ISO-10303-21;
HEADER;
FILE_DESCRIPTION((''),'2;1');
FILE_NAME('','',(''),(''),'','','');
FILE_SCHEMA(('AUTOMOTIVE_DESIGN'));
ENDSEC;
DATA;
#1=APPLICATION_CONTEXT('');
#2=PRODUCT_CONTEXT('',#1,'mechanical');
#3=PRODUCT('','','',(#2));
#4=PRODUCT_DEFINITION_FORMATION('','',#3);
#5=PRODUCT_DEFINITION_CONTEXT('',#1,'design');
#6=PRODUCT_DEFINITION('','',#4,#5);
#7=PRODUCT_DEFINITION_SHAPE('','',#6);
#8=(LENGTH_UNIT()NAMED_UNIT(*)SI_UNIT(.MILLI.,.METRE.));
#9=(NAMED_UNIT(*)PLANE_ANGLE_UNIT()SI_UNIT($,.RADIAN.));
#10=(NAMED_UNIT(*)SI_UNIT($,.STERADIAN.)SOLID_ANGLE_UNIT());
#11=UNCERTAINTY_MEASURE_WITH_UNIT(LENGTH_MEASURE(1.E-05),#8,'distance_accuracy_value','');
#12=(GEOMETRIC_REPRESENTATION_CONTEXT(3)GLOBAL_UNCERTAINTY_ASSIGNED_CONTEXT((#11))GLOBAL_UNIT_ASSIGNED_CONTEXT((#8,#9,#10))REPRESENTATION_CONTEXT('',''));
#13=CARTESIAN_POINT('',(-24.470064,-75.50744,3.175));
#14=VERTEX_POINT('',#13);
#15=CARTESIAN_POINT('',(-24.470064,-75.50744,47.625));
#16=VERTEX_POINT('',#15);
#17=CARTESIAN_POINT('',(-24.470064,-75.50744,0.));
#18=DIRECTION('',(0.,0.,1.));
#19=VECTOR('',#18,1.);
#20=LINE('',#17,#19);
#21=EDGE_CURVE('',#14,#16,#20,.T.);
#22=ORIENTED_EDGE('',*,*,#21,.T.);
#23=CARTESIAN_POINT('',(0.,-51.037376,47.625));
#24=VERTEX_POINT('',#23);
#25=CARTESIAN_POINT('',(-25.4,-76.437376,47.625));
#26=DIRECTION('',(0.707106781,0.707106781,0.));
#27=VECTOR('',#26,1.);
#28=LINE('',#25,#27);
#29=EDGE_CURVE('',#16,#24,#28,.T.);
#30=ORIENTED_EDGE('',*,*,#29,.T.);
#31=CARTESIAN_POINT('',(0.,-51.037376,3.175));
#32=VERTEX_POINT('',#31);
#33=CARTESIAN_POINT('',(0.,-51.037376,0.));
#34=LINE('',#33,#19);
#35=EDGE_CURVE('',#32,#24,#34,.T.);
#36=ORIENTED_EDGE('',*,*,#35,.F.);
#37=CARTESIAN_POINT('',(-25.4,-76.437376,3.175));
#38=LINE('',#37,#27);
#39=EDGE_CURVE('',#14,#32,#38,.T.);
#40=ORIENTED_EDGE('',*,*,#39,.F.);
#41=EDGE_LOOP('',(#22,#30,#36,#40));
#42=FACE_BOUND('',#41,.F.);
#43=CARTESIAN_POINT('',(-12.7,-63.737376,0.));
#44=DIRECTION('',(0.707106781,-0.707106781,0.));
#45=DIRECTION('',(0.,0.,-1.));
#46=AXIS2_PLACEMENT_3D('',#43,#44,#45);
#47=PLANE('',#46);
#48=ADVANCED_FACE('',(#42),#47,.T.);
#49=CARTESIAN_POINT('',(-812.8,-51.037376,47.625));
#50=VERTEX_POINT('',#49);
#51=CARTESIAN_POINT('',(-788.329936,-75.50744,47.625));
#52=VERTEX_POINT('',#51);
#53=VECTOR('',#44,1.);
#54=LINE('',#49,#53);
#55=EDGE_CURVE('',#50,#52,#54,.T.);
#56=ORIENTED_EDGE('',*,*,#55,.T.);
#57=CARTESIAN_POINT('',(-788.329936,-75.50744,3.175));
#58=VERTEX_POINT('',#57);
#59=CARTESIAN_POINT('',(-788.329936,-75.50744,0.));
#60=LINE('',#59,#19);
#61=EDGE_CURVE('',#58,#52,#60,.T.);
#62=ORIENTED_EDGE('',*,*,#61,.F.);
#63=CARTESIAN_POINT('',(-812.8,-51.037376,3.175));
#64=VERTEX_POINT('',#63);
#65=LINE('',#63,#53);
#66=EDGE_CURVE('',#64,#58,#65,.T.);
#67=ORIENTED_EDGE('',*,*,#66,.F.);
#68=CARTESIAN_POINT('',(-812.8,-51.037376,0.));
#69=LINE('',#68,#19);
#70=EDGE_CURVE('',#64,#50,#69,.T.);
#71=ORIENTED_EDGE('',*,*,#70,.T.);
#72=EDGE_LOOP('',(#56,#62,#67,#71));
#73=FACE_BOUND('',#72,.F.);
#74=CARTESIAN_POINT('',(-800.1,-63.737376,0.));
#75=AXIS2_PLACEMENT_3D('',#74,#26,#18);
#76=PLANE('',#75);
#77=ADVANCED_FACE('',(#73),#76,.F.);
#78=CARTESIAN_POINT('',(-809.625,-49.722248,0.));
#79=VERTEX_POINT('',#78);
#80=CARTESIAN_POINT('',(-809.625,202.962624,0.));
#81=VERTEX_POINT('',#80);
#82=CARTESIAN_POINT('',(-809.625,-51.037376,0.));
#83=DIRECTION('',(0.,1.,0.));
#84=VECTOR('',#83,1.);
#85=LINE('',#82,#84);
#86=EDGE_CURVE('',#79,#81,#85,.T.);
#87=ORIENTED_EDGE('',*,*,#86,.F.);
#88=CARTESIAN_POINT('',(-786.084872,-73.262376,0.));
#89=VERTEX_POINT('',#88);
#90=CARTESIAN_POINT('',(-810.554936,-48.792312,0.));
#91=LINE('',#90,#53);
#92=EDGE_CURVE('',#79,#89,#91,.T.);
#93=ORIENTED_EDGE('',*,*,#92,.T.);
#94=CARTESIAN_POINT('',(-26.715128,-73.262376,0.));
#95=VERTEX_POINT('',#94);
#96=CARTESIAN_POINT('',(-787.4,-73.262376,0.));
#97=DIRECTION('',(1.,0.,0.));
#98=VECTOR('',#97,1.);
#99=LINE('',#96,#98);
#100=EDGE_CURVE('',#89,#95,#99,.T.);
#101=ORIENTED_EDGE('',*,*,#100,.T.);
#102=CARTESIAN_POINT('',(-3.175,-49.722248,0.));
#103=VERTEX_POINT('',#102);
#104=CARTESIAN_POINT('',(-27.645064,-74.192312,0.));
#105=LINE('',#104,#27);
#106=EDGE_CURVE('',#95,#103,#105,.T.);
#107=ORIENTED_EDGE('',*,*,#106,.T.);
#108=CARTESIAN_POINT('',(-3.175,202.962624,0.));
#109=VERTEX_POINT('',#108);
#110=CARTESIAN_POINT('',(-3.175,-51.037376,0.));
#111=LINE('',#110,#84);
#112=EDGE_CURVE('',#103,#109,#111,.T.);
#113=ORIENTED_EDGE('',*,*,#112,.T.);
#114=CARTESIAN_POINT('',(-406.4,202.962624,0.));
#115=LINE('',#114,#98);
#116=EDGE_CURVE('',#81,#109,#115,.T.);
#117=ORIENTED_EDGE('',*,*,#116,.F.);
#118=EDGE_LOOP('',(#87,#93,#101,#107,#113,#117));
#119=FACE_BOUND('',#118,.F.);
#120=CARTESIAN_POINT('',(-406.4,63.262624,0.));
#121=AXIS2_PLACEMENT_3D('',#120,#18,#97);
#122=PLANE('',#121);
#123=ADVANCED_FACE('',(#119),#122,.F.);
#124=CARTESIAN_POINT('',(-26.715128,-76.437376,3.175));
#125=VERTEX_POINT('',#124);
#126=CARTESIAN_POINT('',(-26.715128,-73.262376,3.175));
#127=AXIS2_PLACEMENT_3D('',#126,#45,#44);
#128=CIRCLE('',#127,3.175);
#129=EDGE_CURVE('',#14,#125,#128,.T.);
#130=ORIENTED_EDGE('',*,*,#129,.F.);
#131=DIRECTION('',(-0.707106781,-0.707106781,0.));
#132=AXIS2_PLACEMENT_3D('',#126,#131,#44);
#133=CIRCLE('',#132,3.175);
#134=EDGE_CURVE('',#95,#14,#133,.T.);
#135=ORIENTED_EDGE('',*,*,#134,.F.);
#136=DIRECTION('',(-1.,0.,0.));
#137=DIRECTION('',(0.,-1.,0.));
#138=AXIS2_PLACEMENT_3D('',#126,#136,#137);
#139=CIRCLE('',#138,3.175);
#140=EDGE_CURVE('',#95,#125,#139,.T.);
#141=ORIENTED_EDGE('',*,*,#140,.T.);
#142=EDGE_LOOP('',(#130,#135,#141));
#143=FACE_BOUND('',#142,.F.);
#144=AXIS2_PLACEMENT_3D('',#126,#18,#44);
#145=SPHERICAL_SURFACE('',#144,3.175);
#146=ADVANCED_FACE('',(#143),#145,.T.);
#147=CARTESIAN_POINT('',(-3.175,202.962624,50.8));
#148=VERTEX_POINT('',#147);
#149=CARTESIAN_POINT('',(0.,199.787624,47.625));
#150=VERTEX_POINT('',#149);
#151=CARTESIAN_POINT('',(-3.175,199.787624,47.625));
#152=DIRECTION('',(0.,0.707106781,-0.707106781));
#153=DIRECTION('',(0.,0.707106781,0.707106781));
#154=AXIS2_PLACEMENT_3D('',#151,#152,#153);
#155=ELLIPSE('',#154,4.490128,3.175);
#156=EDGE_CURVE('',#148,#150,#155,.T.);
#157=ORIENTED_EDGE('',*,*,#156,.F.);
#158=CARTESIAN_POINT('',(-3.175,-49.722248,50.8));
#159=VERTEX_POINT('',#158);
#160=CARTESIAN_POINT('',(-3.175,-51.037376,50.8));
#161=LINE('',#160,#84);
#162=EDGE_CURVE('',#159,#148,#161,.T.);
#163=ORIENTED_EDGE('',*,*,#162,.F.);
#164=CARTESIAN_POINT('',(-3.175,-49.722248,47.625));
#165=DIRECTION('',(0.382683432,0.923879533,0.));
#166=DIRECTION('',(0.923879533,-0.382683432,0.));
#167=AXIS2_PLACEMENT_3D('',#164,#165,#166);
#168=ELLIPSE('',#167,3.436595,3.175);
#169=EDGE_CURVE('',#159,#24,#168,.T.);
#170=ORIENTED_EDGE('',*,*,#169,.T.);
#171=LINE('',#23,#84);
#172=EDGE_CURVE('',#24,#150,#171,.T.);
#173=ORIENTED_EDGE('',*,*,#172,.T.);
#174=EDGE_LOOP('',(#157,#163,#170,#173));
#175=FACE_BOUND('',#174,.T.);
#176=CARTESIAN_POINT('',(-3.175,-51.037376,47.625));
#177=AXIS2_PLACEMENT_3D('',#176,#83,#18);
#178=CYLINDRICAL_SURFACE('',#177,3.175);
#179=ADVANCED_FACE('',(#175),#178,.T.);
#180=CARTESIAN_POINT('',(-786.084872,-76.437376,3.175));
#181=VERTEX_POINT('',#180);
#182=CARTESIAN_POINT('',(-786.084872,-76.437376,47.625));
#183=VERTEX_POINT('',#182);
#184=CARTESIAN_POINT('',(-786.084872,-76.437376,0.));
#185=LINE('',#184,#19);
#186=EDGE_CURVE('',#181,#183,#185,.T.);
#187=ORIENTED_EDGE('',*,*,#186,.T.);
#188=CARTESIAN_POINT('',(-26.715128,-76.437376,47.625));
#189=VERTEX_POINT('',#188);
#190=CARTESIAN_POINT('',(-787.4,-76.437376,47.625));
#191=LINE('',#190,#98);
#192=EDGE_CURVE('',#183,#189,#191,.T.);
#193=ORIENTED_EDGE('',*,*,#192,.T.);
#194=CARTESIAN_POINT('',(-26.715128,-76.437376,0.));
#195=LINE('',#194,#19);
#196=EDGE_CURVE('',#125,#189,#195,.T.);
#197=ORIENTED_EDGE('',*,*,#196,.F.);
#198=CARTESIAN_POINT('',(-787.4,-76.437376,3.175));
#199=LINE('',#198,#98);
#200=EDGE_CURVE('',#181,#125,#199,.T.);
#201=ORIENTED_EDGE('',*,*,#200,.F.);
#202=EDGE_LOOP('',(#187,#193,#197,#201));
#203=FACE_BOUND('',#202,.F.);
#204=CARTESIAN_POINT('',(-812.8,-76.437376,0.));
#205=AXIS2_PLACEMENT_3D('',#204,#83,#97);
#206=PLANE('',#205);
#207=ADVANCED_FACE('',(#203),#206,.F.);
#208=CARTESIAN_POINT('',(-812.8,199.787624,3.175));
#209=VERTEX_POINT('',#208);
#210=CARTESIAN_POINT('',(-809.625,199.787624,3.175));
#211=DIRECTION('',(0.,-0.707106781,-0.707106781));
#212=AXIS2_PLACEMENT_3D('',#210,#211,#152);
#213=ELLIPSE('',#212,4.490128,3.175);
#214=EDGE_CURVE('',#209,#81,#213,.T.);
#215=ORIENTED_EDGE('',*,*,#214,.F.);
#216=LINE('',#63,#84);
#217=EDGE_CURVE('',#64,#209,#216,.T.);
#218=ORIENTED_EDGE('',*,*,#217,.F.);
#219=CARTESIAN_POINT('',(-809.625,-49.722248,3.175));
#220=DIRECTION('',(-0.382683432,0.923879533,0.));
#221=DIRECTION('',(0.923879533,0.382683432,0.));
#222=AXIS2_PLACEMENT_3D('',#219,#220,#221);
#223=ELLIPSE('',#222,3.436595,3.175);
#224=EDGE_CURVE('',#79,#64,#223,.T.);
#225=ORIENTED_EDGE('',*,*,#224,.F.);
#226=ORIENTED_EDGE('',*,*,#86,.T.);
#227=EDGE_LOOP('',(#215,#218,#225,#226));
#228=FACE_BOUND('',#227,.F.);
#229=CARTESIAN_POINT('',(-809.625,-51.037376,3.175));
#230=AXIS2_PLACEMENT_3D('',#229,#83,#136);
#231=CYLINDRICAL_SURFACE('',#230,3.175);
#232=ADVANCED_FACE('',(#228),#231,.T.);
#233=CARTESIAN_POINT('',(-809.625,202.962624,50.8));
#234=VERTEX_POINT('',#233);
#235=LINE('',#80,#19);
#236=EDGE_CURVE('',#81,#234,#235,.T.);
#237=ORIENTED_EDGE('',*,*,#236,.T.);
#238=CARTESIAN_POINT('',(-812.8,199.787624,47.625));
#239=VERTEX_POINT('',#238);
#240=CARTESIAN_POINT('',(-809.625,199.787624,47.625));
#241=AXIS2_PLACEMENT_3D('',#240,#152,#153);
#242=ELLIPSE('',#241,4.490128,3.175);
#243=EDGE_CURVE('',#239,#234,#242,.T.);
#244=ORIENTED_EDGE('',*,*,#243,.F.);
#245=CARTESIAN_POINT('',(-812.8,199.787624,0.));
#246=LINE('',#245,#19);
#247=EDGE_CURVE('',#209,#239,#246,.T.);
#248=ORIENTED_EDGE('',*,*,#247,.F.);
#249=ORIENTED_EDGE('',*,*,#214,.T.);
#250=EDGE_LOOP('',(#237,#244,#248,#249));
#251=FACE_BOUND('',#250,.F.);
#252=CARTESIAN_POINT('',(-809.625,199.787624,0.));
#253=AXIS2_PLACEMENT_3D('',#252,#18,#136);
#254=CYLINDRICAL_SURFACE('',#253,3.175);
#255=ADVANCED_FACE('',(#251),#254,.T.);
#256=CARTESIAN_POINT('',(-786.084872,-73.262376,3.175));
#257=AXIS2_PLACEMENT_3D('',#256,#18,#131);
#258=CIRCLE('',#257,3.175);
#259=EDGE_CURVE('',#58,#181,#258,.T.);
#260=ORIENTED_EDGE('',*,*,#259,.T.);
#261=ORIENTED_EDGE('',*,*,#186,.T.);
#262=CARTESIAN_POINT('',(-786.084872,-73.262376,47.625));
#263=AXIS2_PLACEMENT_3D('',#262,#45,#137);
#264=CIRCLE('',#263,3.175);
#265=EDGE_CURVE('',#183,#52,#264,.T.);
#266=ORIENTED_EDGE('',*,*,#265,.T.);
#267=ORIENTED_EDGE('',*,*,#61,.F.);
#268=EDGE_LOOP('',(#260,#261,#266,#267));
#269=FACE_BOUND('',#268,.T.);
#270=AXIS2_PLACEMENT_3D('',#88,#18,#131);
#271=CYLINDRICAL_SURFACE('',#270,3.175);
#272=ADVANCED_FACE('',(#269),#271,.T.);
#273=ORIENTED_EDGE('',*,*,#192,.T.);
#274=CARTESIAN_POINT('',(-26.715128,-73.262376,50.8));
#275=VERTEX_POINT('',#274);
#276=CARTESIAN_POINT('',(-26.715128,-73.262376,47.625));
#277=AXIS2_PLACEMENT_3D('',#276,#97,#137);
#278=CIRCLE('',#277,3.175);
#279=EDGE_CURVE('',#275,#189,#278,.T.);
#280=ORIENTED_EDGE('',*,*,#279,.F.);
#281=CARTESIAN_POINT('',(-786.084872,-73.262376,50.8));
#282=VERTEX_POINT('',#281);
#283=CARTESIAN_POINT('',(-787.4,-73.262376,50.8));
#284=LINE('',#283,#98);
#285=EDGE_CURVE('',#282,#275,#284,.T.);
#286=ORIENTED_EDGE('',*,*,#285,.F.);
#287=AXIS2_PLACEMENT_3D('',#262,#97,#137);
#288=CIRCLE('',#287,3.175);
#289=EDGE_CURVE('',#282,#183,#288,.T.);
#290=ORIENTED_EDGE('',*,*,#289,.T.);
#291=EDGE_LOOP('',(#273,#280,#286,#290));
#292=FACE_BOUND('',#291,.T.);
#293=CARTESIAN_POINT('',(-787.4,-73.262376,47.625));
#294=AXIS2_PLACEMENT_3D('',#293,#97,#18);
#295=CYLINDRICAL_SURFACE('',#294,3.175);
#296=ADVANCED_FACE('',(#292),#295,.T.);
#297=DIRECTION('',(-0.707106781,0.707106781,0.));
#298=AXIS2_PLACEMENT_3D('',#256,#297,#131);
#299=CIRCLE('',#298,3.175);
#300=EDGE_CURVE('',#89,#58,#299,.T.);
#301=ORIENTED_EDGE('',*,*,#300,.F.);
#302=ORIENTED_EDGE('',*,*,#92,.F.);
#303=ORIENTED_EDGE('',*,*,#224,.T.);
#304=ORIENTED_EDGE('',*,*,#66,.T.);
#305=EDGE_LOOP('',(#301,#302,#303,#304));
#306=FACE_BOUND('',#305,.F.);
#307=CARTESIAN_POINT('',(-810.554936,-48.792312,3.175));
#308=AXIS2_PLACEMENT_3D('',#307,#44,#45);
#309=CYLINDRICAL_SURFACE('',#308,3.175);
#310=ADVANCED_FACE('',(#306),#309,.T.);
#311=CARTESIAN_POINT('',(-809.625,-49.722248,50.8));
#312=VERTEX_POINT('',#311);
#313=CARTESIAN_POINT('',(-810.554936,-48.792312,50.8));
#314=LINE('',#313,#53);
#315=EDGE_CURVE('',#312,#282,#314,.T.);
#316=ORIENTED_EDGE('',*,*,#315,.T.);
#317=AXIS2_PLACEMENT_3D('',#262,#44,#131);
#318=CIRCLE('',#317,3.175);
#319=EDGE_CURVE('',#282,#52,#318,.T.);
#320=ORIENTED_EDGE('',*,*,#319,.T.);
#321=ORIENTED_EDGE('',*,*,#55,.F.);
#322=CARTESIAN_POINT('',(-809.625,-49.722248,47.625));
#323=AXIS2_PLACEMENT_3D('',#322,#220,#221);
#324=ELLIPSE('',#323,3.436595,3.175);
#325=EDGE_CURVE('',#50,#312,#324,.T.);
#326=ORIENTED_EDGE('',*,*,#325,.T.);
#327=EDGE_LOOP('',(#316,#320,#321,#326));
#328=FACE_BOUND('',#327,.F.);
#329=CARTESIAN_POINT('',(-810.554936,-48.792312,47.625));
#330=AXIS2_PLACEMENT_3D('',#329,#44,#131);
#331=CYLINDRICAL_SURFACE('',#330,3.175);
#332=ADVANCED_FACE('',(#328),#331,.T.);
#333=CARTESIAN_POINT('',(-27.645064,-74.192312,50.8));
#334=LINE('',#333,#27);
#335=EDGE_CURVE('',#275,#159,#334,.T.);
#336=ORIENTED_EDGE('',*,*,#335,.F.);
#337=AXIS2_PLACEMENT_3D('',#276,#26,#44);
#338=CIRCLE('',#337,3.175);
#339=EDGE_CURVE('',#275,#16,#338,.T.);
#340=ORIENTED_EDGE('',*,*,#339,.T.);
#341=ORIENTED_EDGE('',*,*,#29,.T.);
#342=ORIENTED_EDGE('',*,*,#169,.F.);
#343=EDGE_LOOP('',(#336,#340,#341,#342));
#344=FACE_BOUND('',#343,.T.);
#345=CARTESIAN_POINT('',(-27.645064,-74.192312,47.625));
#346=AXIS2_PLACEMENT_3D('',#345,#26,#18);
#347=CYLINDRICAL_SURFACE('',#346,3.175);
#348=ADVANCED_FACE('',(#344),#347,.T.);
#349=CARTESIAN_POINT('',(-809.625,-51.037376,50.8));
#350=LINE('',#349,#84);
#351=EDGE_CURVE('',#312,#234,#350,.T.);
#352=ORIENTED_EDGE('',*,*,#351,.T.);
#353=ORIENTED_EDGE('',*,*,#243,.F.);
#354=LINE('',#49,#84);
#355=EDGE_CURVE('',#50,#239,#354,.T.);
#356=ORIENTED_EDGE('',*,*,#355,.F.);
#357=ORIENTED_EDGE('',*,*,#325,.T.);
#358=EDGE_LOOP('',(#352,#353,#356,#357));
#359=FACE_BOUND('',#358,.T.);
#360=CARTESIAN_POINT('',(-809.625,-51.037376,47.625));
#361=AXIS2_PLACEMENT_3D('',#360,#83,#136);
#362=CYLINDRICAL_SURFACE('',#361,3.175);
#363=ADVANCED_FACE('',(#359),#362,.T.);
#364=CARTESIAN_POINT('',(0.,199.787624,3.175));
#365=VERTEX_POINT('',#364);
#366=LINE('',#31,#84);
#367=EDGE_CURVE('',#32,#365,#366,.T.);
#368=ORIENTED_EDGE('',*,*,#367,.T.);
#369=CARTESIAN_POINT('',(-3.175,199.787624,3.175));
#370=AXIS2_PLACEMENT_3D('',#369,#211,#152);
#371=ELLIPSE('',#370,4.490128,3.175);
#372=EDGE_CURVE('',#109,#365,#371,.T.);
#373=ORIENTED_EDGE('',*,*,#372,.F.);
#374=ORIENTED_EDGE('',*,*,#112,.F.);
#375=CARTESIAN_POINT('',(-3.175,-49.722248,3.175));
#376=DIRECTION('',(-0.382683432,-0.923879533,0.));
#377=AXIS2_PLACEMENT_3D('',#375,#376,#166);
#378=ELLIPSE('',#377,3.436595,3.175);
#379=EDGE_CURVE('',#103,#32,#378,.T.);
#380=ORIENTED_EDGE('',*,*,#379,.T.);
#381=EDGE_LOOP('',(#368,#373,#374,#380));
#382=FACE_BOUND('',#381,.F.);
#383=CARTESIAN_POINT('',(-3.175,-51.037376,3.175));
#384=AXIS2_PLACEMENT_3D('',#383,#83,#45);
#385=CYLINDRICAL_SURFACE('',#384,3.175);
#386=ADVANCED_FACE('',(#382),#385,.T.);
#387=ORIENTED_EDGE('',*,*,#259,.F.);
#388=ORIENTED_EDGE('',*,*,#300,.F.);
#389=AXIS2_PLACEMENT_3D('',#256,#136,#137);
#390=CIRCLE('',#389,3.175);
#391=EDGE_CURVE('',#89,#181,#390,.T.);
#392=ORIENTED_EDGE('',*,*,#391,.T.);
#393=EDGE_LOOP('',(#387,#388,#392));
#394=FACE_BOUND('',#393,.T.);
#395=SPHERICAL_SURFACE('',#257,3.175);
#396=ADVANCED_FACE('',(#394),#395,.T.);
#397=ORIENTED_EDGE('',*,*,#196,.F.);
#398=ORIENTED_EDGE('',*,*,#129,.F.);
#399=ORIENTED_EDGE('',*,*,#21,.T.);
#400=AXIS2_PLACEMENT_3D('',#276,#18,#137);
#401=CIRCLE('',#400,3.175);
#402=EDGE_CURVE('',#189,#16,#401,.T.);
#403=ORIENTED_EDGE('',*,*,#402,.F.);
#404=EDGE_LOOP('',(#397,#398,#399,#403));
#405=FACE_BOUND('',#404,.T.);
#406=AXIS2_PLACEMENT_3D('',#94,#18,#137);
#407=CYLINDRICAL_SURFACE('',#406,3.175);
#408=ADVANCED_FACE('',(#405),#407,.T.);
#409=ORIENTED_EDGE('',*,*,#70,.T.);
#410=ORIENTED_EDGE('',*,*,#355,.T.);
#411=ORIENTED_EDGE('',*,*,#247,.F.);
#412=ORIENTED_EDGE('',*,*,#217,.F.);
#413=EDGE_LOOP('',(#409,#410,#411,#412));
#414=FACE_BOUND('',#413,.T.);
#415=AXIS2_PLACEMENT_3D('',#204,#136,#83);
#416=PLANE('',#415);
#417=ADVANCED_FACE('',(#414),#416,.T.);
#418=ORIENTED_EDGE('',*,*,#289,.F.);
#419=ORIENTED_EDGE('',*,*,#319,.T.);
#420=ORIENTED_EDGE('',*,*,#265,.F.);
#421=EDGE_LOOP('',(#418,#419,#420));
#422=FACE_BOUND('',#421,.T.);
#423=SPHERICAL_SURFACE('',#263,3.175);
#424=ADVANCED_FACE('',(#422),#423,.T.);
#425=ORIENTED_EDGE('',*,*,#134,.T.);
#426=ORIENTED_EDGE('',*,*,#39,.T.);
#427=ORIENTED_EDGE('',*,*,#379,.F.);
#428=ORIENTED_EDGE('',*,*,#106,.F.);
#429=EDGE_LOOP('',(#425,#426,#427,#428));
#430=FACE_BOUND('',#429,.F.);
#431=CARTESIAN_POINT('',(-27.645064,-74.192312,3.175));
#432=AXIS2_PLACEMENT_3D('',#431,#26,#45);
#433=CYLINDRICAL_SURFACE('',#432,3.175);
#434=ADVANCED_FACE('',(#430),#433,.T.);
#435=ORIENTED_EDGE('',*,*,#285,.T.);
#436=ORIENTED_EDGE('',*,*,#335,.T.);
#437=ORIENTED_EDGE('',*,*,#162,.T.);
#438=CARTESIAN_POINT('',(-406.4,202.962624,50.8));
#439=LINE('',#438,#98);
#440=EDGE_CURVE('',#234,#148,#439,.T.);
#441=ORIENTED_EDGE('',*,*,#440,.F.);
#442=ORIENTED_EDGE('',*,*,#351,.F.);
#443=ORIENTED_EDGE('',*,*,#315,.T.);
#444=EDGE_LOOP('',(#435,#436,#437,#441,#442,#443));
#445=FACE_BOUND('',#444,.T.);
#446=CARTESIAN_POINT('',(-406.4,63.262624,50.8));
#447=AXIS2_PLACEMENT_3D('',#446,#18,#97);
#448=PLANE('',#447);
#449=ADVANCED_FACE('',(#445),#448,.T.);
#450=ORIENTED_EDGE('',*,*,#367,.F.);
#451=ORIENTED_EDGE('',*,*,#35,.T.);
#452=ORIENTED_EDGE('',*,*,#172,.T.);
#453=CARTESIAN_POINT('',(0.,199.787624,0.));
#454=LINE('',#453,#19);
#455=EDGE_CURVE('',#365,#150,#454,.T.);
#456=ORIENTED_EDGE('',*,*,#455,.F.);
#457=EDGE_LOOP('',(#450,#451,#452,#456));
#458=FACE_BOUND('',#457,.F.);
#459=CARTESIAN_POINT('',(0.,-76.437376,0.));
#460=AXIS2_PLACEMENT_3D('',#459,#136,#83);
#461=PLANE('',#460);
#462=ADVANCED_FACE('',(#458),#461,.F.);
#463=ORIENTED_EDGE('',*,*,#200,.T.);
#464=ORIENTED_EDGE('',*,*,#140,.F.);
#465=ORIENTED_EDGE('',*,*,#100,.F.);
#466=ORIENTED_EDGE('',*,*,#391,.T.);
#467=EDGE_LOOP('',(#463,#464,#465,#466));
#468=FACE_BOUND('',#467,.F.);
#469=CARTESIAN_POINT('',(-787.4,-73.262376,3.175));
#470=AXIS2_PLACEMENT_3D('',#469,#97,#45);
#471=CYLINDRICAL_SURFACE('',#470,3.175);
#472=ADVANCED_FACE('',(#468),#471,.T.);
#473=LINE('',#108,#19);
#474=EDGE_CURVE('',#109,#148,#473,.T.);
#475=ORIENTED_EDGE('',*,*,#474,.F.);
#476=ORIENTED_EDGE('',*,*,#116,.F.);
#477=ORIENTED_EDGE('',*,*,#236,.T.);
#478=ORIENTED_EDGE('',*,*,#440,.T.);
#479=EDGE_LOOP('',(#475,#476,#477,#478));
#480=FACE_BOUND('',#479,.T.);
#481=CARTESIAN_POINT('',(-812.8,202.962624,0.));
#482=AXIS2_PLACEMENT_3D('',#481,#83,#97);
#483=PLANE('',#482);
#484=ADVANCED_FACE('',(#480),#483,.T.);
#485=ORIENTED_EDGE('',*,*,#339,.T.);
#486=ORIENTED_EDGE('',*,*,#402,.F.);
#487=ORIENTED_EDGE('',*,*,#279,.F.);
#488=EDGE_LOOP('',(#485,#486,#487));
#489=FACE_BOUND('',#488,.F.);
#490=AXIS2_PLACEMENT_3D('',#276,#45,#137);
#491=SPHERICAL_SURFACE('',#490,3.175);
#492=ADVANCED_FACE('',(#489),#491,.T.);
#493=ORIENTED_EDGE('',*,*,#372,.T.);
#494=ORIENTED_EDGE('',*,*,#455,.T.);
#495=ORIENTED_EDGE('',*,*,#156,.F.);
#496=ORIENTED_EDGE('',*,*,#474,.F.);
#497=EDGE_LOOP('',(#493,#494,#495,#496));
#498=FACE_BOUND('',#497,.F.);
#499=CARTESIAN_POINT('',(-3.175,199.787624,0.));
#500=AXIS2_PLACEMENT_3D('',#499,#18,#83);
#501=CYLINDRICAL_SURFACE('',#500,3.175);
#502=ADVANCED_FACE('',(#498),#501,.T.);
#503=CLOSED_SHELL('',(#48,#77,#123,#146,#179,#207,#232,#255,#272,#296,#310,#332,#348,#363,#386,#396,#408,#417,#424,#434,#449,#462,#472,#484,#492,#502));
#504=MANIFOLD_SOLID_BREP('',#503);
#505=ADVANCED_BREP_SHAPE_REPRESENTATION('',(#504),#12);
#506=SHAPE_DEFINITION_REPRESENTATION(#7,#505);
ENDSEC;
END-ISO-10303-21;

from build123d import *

# Parameters (mm, degrees)
F0_W     = 812.8
F0_H     = 279.4
F1_DEPTH = 50.8
F2_SIZE  = 25.4
F3_R     = 3.175


with BuildPart() as f1:
    # F0 (on Top) → F1 (new body)
    with BuildSketch(Plane.XY):
        with Locations((-406.4, 63.2626240712)):
            Rectangle(F0_W, F0_H)
    extrude(amount=F1_DEPTH)

    # F2
    f2_edges = [f1.edges().sort_by_distance(p)[0] for p in [
        (0, -76.437376, 25.4),
        (-812.8, -76.437376, 25.4),
    ]]
    chamfer(f2_edges, length=F2_SIZE)

    # F3
    f3_edges = [f1.edges().sort_by_distance(p)[0] for p in [
        (-406.4, -76.437376, 0),
        (-787.4, -76.437376, 25.4),
        (-25.4, -76.437376, 25.4),
        (-406.4, -76.437376, 50.8),
        (-800.1, -63.737376, 50.8),
        (-800.1, -63.737376, 0),
        (-12.7, -63.737376, 0),
        (-12.7, -63.737376, 50.8),
        (-812.8, 75.962624, 0),
        (0, 75.962624, 0),
        (0, 75.962624, 50.8),
        (-812.8, 75.962624, 50.8),
        (-812.8, 202.962624, 25.4),
        (0, 202.962624, 25.4),
    ]]
    fillet(f3_edges, radius=F3_R)


solid = f1.part
